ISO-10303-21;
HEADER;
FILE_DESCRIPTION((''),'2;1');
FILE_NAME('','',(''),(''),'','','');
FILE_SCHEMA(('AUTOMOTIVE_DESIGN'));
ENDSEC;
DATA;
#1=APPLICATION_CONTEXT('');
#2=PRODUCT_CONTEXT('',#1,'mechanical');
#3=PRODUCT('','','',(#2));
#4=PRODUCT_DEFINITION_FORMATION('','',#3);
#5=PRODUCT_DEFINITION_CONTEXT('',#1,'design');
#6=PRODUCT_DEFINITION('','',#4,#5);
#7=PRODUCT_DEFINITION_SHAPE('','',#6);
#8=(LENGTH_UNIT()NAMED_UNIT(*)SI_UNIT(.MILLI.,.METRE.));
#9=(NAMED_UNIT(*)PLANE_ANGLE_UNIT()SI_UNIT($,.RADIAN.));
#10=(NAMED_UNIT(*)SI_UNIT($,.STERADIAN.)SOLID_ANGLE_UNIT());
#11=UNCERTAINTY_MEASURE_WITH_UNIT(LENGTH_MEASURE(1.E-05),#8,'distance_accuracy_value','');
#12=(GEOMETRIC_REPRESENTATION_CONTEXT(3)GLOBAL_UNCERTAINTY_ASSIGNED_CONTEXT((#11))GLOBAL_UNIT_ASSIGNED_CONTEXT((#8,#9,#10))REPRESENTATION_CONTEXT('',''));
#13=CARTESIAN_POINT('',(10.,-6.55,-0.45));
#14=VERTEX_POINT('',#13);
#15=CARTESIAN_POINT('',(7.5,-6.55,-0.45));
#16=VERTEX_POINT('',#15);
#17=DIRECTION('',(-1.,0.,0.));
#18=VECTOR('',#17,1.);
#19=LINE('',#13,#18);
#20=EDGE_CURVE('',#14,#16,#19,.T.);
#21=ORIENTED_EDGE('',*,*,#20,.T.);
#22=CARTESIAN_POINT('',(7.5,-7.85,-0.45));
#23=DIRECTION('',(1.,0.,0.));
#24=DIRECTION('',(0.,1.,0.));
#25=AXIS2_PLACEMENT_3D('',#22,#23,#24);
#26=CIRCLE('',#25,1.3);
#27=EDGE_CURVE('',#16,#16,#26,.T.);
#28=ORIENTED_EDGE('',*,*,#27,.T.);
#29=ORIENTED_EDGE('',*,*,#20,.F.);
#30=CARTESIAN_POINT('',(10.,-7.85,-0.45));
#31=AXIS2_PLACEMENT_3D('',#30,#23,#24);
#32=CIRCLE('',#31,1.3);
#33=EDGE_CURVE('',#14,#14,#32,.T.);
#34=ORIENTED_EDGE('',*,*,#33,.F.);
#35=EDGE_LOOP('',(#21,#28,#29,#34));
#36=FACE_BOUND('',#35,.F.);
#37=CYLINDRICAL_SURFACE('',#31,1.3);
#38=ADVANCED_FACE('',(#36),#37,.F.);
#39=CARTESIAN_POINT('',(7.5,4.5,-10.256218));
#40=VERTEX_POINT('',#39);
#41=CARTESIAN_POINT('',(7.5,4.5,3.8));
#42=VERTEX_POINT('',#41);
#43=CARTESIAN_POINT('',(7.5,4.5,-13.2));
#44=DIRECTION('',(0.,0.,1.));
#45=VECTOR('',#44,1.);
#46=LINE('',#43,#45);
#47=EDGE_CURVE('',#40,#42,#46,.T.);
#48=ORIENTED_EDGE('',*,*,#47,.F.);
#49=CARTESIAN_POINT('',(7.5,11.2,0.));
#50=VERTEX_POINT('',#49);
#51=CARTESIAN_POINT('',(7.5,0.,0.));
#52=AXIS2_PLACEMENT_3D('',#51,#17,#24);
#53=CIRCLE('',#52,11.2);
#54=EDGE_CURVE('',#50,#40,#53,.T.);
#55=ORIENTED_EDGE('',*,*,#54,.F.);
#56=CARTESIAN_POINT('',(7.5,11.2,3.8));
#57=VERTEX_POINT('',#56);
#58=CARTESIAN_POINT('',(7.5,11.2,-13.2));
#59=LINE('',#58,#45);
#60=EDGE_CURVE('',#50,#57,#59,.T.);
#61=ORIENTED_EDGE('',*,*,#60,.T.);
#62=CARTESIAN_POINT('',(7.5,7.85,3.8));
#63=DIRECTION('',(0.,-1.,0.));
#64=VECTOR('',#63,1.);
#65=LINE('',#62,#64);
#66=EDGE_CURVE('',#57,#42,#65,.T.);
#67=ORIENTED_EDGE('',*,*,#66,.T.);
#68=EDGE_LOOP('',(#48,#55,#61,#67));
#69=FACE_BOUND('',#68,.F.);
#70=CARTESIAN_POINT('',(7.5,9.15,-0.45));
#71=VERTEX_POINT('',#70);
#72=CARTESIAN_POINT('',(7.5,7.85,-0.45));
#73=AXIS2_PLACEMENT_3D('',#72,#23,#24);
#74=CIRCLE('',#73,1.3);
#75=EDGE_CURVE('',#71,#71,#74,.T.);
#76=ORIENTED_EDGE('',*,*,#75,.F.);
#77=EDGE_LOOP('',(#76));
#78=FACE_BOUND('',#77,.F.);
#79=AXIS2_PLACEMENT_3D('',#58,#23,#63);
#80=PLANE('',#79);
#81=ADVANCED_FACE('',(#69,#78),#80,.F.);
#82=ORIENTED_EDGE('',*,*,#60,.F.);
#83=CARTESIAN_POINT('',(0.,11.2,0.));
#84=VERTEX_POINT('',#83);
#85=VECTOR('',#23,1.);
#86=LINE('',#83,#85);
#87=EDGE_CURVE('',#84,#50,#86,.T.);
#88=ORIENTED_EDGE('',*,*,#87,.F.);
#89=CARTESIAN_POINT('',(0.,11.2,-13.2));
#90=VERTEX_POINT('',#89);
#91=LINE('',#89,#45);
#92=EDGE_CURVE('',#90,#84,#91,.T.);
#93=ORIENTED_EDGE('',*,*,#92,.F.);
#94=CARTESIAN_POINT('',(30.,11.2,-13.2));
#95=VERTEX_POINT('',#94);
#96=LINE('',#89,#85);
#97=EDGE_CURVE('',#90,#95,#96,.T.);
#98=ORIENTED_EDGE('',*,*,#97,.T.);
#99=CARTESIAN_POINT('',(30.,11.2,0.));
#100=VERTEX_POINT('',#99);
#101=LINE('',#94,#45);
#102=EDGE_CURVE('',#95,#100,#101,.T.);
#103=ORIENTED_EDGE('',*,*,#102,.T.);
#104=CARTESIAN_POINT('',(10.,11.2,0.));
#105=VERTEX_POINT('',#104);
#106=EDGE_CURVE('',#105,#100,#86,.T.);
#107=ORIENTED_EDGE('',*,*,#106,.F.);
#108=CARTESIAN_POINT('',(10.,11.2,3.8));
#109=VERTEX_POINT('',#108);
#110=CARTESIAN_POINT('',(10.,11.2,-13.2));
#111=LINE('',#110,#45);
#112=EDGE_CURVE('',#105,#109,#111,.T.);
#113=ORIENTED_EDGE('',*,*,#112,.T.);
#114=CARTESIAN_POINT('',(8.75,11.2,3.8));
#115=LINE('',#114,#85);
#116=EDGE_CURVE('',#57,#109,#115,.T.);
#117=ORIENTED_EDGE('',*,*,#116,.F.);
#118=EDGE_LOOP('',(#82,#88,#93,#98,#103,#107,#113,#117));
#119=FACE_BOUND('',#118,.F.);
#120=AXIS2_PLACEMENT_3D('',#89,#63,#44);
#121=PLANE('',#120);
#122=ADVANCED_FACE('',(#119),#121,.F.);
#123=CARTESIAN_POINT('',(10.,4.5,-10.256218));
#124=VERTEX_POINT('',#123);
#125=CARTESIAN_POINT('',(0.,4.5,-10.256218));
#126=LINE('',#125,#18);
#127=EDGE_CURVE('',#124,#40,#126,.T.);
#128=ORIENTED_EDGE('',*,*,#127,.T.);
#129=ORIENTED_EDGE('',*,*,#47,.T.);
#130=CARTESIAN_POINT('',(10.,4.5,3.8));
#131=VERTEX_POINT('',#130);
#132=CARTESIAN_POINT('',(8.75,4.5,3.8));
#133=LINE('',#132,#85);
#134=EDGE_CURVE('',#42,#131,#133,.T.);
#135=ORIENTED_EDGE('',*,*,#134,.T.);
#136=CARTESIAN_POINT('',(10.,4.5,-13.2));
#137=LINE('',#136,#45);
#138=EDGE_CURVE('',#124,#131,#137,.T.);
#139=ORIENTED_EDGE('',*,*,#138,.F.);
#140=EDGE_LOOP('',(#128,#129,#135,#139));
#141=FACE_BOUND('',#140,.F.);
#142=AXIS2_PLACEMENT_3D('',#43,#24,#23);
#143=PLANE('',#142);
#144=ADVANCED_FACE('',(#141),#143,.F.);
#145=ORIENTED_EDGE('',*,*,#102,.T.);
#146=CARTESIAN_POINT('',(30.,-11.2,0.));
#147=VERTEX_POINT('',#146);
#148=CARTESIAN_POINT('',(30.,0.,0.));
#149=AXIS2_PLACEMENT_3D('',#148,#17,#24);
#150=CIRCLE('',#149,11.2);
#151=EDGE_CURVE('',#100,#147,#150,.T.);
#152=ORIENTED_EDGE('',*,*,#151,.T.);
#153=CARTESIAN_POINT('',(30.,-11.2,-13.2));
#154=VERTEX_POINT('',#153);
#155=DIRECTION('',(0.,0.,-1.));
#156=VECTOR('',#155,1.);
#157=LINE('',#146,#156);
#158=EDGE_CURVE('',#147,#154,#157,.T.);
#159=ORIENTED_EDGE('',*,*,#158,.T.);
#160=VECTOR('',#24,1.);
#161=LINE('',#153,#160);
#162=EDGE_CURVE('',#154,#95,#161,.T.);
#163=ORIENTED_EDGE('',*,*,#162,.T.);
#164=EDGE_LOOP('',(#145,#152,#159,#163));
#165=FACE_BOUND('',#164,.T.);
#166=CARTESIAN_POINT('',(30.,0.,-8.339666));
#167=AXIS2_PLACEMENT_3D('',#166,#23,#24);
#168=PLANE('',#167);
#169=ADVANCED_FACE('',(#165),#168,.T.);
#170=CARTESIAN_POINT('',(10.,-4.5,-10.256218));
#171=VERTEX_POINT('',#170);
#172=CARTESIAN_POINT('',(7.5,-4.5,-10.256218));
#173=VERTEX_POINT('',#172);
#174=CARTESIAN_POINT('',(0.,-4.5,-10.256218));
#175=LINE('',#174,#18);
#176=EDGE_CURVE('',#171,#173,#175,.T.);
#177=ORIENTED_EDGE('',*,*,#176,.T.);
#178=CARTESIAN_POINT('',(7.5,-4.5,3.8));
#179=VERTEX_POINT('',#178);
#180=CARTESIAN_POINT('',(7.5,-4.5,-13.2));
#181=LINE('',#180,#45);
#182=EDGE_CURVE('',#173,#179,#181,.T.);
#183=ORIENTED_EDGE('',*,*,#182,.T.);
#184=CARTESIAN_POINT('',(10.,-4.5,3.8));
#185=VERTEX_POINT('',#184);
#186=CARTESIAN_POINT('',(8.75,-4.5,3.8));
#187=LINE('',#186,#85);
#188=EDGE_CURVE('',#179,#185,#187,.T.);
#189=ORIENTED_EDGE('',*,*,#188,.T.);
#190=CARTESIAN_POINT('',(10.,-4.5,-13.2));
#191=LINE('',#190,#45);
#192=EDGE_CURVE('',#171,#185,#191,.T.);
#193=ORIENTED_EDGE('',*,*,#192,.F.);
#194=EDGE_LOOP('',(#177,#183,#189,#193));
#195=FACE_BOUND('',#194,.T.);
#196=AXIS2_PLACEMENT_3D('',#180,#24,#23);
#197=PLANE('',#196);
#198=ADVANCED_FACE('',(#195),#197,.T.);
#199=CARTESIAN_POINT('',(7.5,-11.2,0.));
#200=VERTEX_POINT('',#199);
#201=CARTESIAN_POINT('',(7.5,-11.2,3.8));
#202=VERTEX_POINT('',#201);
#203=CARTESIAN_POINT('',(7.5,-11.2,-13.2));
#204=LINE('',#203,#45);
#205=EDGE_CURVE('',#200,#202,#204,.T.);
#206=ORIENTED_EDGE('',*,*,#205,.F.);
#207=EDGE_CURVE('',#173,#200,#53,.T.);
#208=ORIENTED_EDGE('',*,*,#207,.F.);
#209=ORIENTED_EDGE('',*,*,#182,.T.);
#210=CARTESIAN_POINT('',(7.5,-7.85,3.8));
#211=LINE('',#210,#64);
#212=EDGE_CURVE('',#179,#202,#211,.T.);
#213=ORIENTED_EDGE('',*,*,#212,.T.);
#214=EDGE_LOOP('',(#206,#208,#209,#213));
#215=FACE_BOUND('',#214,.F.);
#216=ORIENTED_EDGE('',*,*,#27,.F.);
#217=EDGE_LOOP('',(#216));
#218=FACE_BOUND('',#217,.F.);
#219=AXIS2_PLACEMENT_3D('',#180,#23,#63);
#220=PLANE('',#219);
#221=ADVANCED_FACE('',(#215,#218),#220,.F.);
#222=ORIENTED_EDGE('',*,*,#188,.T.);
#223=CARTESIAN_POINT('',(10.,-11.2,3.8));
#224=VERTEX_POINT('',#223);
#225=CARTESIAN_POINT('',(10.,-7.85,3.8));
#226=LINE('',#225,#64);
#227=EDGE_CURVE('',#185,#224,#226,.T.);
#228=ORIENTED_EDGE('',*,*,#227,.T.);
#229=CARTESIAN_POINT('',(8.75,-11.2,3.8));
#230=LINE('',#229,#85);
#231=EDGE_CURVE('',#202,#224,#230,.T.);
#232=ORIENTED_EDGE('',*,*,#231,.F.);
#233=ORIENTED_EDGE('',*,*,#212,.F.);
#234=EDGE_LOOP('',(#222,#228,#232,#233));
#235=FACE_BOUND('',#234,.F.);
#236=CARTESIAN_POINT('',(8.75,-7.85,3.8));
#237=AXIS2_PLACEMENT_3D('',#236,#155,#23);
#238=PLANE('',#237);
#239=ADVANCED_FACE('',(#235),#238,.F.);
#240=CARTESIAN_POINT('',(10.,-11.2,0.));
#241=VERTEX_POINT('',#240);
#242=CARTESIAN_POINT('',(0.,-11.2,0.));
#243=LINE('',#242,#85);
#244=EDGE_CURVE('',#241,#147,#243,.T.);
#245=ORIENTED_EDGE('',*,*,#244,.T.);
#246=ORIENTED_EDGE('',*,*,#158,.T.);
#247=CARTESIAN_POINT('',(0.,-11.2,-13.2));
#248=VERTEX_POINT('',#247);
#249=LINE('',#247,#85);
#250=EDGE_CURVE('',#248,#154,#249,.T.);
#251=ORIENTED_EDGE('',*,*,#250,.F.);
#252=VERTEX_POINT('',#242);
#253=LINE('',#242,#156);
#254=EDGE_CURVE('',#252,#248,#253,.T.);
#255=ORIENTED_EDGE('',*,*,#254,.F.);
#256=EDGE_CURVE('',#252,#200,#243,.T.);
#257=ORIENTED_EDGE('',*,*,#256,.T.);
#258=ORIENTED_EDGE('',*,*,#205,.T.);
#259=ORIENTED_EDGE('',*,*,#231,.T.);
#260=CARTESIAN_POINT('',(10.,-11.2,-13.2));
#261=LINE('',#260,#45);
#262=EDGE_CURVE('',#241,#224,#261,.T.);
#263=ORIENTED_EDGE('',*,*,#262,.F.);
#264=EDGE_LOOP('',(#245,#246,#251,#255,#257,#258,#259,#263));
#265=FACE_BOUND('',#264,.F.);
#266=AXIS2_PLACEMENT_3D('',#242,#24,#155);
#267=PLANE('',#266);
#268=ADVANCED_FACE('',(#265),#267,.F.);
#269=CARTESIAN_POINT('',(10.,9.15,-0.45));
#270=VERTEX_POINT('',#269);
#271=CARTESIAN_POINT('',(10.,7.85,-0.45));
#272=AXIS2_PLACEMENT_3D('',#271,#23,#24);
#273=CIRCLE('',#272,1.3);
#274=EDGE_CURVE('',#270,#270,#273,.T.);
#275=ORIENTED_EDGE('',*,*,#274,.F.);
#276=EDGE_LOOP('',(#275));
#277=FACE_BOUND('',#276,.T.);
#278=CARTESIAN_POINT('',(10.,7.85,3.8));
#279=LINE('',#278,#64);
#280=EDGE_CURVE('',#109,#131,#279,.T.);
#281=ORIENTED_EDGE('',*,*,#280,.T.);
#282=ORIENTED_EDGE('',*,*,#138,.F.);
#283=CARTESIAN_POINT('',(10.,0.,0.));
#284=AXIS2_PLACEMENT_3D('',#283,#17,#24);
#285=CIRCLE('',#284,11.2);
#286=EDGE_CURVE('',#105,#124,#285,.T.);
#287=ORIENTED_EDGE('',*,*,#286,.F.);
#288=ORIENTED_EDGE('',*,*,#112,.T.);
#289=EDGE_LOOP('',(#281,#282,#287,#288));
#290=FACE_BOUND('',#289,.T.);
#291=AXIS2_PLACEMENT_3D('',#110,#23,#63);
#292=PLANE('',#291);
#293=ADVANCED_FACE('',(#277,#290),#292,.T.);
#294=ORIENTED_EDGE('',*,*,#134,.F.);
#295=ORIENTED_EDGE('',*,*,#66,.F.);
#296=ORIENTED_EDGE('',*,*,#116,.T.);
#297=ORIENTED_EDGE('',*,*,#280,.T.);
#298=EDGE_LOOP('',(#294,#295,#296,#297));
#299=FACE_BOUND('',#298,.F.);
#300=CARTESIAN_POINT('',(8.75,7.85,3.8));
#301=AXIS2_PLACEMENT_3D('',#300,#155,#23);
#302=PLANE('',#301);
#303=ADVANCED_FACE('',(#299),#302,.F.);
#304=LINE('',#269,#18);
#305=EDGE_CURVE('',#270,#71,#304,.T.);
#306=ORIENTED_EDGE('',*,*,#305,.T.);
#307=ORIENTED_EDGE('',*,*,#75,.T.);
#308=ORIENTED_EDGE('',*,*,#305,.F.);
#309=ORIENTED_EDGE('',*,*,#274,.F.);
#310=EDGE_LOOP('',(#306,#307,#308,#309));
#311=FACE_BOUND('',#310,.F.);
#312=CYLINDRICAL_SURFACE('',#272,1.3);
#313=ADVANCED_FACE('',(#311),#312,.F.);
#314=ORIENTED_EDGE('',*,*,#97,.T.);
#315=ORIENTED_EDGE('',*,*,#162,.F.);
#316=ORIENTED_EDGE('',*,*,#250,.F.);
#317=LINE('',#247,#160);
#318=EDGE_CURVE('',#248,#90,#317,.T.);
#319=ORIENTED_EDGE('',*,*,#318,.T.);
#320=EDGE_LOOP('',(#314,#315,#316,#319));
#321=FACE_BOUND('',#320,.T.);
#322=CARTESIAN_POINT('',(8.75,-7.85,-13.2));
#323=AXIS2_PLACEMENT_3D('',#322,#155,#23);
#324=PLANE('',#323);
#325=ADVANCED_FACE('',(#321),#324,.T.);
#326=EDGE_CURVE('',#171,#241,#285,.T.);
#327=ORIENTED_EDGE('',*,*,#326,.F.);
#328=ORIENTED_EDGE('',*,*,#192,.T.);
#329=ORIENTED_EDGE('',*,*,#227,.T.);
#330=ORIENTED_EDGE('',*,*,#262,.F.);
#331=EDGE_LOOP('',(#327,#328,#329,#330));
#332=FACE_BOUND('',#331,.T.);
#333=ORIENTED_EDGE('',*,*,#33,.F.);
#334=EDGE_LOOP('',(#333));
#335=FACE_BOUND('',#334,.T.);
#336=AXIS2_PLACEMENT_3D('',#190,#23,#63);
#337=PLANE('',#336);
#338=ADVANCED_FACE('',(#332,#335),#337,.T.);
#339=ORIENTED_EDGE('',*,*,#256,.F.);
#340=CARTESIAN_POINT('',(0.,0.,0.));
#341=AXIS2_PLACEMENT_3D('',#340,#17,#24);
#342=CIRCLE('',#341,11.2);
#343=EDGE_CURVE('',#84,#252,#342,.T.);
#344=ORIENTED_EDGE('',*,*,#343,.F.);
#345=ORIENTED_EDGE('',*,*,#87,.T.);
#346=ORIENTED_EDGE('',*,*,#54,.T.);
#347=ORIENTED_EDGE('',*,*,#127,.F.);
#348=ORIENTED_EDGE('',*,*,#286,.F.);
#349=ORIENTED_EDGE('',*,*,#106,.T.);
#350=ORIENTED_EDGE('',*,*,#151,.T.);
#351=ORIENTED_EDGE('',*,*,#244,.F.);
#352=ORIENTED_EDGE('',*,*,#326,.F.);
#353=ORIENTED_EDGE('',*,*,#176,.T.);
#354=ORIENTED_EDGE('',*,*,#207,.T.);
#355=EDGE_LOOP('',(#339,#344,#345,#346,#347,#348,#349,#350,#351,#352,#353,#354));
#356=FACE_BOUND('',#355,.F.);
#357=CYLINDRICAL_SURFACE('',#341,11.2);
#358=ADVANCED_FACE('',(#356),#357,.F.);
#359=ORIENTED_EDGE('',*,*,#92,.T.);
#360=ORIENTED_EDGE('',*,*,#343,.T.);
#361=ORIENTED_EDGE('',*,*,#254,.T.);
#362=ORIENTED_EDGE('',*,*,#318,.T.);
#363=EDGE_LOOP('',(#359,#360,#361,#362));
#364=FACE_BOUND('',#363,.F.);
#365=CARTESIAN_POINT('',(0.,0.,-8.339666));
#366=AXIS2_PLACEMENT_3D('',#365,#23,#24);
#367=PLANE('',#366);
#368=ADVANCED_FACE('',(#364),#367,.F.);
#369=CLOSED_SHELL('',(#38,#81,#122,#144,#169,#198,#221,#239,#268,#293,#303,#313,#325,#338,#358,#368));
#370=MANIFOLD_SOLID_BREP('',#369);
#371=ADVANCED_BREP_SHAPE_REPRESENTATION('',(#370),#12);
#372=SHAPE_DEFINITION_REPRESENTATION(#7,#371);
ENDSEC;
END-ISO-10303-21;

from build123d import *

# Parameters (mm, degrees)
F1_DEPTH = 30
F2_W     = 2.5
F2_H     = 6.7
F3_DEPTH = 17
F4_R     = 1.3
F5_DEPTH = 10.001


with BuildPart() as f1:
    # F0 (on Right) → F1 (new body)
    with BuildSketch(Plane.YZ):
        with BuildLine():
            Line((-11.2, 0), (-11.2, -13.2))
            Line((-11.2, -13.2), (11.2, -13.2))
            Line((11.2, -13.2), (11.2, 0))
            ThreePointArc((11.2, 0), (0, -11.2), (-11.2, 0))
        make_face()
    extrude(amount=F1_DEPTH)

    # F2 (on face) → F3 (join)
    with BuildSketch(Plane(origin=(0, 0, -13.2), x_dir=(1, 0, 0), z_dir=(0, 0, -1))):
        with Locations((8.75, 7.85)):
            Rectangle(F2_W, F2_H)
        with Locations((8.75, -7.85)):
            Rectangle(F2_W, F2_H)
    extrude(amount=-F3_DEPTH)

    # F4 (on face) → F5 (cut, through all)
    with BuildSketch(Plane.YZ.offset(10)):
        with Locations((-7.85, -0.45)):
            Circle(F4_R)
        with Locations((7.85, -0.45)):
            Circle(F4_R)
    extrude(amount=-F5_DEPTH, mode=Mode.SUBTRACT)


solid = f1.part
